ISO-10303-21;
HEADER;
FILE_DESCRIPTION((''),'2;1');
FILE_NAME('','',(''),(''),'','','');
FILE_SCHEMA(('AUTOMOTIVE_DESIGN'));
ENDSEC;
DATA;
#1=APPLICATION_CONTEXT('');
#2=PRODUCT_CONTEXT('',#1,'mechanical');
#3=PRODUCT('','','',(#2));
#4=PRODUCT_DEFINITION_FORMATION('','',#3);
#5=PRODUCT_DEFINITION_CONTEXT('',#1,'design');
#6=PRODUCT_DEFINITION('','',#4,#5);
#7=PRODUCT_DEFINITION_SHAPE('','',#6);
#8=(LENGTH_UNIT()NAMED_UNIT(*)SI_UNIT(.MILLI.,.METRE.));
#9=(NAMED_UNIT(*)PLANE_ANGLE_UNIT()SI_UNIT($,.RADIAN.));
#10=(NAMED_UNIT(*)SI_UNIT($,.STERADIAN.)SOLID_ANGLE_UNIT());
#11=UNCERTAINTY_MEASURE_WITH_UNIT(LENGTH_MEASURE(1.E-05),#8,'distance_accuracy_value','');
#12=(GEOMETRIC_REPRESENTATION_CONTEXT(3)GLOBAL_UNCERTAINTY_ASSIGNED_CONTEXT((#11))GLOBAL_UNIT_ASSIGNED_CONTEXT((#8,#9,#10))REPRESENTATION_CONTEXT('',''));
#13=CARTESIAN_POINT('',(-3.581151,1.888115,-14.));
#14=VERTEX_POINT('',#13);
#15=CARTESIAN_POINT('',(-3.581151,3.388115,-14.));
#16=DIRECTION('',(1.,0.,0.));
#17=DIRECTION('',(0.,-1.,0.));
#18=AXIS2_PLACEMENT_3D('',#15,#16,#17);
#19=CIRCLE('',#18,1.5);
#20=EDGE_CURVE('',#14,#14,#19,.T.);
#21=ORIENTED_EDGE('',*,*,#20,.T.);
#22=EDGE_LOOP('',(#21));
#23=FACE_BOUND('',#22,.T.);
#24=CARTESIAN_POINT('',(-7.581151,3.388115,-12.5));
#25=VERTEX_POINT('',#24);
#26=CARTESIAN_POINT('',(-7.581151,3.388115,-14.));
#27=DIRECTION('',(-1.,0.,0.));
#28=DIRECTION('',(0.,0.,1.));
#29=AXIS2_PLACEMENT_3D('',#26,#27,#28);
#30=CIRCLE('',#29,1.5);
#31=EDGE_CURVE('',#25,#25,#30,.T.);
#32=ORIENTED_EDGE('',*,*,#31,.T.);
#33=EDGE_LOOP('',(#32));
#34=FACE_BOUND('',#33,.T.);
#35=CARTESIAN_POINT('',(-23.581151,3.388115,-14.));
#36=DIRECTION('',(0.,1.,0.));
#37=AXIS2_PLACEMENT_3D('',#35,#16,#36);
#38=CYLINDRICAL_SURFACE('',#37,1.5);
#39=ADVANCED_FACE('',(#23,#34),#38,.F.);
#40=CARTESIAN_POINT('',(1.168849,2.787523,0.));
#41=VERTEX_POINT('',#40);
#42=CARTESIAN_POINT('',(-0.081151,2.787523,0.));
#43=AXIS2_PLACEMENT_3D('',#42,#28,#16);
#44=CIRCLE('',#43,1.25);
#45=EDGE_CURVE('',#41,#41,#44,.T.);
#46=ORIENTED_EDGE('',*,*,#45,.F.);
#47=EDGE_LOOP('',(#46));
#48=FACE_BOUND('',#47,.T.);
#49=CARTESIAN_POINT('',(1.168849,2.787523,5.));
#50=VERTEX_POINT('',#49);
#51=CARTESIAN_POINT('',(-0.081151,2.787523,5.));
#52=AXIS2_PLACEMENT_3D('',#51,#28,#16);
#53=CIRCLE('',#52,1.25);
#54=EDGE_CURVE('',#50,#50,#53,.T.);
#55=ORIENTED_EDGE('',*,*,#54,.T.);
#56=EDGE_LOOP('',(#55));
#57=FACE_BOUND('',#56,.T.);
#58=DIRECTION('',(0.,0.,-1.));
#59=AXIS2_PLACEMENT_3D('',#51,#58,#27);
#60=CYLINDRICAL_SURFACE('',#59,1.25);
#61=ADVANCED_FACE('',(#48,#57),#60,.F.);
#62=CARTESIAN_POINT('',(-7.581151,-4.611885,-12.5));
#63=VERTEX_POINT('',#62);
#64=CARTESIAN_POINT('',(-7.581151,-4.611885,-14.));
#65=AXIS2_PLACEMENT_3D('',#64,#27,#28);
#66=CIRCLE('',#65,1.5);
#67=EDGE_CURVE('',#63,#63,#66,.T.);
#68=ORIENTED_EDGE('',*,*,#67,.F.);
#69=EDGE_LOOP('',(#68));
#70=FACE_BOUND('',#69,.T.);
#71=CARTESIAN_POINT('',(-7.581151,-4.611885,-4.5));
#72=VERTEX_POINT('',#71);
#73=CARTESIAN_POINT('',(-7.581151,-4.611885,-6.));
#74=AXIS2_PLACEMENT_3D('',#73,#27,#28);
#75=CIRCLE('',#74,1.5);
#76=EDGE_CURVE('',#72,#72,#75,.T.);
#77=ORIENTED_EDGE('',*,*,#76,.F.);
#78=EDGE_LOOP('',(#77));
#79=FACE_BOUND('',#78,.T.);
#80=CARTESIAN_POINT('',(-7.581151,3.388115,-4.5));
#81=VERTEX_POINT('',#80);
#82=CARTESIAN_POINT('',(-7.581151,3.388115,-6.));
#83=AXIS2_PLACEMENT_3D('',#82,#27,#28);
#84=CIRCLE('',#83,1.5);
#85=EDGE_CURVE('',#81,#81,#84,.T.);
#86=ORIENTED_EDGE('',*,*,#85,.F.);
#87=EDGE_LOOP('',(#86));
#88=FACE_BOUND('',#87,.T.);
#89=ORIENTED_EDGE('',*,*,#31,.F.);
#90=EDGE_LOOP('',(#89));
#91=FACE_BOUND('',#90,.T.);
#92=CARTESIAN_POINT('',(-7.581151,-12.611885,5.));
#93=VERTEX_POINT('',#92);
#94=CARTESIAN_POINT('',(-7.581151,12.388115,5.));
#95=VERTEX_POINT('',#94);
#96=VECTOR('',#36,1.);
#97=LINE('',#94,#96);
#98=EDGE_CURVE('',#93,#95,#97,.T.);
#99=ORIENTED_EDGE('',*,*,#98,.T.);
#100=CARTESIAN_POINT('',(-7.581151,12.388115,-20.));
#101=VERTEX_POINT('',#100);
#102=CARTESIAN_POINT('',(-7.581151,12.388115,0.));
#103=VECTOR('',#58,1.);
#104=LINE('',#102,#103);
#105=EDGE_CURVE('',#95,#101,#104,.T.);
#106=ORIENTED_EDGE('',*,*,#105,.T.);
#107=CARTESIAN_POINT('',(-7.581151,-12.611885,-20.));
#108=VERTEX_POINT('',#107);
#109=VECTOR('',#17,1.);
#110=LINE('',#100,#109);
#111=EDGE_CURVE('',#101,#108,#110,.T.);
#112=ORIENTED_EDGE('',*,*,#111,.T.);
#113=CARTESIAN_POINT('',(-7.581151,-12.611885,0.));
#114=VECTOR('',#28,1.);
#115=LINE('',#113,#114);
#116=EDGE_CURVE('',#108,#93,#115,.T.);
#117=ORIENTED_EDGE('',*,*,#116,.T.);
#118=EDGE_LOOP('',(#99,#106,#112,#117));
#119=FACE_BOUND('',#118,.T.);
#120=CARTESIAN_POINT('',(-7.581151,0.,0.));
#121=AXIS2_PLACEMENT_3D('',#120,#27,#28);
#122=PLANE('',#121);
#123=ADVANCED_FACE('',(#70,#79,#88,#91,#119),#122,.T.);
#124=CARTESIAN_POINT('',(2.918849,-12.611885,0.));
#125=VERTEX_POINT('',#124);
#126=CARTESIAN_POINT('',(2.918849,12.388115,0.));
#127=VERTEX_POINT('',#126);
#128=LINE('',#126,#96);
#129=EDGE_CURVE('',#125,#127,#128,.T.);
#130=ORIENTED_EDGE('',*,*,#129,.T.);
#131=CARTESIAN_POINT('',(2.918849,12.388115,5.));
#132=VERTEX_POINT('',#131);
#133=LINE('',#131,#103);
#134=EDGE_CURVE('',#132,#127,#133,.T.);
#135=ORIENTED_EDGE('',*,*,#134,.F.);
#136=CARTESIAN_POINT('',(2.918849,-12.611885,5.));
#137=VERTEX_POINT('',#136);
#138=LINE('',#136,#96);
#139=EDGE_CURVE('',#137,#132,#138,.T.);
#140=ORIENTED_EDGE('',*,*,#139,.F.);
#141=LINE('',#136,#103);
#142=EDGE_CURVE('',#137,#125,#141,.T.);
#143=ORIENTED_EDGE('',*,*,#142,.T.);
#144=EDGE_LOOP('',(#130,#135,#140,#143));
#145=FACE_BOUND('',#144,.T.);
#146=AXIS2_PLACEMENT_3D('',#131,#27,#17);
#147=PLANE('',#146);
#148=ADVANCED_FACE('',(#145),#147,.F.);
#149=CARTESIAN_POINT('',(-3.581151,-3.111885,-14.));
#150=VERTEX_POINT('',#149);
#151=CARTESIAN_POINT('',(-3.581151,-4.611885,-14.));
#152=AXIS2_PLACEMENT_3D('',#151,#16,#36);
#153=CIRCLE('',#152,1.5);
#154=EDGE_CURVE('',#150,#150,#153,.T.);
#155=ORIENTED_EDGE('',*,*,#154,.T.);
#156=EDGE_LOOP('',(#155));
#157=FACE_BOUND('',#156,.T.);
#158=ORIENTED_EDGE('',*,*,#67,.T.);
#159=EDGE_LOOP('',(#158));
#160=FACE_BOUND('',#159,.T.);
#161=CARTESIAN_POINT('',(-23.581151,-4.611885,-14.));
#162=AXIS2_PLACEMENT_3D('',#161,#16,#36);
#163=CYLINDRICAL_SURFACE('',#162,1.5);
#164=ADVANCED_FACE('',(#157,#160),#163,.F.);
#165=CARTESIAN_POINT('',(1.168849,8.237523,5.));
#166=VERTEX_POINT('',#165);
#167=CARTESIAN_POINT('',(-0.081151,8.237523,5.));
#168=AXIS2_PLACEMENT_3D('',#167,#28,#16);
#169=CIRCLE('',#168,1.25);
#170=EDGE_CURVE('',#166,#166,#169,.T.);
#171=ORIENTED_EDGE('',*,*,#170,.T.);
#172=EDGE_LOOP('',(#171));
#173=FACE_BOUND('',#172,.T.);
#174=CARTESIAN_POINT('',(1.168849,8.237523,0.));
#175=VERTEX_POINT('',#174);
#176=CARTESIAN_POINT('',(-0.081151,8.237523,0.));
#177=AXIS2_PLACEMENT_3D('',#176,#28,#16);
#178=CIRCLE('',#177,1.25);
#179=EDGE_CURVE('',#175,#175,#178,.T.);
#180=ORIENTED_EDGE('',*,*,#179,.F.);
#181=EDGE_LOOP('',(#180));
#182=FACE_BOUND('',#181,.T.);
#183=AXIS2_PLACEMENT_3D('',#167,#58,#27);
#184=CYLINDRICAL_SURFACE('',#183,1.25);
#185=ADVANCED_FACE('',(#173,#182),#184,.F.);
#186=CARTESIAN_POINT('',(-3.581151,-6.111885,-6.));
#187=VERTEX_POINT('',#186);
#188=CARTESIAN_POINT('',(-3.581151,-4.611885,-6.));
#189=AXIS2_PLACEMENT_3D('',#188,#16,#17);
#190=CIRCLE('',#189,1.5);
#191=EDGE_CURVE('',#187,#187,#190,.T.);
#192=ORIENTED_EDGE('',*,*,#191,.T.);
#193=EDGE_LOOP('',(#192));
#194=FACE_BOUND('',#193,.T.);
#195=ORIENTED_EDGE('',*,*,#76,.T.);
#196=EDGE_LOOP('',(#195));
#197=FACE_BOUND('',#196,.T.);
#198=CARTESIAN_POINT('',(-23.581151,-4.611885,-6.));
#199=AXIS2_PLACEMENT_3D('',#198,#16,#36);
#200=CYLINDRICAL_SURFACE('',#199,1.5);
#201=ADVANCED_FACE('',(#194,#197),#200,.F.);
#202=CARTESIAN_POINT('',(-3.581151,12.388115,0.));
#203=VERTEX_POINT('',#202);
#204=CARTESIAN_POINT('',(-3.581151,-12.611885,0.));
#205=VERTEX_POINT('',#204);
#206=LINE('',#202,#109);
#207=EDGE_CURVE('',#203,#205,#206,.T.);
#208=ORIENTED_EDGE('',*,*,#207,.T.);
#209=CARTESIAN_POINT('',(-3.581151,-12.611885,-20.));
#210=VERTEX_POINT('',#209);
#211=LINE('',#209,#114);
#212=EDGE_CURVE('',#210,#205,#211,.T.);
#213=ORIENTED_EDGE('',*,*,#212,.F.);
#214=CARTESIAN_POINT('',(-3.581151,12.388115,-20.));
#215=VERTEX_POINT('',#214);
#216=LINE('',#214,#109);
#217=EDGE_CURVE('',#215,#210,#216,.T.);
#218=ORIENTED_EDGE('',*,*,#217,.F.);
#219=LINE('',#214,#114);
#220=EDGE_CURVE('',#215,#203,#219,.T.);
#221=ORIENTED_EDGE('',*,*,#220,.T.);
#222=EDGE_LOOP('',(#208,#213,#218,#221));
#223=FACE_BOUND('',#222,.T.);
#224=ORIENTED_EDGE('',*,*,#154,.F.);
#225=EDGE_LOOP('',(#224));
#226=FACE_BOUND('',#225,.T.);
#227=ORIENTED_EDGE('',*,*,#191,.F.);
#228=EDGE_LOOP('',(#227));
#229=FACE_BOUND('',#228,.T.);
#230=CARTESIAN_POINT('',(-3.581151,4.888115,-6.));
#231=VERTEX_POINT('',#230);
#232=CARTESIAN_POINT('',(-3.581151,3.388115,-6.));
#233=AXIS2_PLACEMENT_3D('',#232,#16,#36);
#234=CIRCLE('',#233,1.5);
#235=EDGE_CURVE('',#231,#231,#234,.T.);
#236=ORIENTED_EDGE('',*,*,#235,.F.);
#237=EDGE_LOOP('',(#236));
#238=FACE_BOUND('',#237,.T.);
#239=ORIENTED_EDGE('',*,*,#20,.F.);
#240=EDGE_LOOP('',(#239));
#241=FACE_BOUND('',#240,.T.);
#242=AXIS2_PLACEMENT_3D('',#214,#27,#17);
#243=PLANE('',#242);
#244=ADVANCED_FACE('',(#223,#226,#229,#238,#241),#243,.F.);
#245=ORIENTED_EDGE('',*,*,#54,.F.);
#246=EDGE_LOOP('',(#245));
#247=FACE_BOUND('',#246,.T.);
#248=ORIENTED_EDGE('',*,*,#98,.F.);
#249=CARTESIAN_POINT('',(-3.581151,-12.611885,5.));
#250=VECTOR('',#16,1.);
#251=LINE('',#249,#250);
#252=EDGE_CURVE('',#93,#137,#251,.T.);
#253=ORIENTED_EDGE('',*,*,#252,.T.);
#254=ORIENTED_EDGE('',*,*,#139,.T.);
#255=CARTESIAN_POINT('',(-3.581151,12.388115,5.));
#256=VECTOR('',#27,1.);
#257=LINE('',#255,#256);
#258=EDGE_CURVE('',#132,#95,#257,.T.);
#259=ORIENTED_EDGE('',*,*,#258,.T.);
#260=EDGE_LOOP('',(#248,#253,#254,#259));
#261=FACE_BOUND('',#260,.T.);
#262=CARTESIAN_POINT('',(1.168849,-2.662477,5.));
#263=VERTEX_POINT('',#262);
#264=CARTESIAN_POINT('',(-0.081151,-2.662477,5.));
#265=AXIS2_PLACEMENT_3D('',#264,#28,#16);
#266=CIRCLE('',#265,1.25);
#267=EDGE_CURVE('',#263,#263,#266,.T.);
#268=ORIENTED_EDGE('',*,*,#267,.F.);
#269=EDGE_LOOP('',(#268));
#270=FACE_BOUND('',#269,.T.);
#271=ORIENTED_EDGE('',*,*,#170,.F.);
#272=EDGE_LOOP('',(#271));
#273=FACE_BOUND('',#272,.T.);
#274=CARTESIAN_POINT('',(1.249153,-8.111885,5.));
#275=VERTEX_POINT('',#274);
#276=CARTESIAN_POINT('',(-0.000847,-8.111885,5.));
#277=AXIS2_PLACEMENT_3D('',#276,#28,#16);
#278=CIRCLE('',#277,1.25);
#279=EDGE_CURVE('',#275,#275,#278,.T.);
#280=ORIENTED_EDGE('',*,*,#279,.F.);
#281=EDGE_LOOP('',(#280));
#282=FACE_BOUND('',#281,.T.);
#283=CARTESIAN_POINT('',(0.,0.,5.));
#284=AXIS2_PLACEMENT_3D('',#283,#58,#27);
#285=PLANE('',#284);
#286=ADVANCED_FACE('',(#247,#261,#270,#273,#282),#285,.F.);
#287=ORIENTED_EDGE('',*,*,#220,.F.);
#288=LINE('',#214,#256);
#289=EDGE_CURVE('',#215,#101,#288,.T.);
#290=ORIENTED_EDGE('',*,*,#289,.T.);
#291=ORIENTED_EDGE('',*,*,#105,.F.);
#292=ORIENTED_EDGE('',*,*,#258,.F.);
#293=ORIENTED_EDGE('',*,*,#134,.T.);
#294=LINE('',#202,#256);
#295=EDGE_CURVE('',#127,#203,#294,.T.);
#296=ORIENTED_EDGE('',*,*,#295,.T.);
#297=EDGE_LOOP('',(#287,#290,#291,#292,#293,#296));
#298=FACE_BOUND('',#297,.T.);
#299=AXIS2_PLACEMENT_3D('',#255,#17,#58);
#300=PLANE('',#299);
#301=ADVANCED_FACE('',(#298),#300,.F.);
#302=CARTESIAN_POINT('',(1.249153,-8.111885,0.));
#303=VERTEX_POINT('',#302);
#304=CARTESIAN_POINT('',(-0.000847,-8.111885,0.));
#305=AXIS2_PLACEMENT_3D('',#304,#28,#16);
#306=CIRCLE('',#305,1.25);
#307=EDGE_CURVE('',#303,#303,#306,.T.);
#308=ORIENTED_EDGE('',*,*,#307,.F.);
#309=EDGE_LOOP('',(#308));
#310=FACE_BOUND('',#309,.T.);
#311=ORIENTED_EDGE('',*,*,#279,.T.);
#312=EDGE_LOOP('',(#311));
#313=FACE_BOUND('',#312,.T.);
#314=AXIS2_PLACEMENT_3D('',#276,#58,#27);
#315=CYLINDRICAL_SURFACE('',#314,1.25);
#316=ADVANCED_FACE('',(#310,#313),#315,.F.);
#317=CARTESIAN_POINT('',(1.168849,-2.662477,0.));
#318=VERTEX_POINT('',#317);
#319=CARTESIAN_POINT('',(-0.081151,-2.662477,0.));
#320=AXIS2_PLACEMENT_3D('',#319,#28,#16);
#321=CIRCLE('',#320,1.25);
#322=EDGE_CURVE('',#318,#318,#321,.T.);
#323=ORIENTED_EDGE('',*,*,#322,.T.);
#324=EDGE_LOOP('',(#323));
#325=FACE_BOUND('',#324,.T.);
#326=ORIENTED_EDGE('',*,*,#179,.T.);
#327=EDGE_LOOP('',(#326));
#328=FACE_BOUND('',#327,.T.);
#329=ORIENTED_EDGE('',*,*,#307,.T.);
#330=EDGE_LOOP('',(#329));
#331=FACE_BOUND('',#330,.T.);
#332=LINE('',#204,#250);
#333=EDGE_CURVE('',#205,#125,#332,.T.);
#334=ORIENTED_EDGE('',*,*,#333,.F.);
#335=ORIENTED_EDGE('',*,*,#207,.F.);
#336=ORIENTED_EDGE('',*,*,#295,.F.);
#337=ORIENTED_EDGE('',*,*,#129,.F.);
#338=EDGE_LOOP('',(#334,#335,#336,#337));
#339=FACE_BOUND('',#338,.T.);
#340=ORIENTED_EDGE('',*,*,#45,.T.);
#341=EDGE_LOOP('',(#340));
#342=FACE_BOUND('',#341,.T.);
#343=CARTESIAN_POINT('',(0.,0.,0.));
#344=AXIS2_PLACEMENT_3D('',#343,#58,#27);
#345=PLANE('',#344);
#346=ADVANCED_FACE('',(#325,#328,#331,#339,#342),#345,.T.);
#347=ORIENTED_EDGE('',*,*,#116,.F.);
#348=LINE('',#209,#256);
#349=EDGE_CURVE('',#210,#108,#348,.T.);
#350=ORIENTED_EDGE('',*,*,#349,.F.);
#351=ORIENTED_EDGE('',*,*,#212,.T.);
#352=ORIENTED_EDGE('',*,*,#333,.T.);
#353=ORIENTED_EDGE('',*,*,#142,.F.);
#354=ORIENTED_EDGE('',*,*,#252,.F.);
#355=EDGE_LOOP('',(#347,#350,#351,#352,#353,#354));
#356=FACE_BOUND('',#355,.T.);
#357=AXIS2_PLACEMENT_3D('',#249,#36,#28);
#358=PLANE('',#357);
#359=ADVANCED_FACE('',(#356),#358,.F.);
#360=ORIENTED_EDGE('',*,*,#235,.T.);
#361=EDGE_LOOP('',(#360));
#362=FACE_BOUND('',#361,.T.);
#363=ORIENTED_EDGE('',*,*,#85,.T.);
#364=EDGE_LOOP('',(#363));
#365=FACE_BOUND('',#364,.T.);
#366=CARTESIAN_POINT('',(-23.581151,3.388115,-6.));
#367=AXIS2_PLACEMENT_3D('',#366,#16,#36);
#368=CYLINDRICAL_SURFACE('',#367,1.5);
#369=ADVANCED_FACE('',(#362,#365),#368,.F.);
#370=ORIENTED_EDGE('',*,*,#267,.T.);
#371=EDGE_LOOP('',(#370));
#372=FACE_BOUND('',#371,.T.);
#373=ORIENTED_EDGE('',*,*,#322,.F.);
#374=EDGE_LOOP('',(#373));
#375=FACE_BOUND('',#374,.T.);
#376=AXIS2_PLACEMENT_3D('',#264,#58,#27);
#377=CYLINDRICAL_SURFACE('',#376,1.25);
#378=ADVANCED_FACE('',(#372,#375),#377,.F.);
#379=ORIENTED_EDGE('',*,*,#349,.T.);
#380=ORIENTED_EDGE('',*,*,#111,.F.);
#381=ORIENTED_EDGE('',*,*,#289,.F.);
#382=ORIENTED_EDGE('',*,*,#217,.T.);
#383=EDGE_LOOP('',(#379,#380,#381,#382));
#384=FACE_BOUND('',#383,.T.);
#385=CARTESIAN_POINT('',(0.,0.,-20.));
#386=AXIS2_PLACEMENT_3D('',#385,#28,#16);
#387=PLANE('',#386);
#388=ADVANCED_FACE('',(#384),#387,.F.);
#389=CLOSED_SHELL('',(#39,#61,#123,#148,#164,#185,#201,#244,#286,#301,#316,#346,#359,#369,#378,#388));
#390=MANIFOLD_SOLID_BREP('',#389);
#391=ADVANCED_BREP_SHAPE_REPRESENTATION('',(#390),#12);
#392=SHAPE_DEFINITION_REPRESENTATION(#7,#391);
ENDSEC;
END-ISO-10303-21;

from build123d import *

# Parameters (mm, degrees)
SKETCH_1_R          = 1.25
EXTRUDE_1_DEPTH     = 5
SKETCH_2_W          = 5
SKETCH_2_H          = 25
EXTRUDE_2_DEPTH     = 4
SKETCH_3_W          = 4
SKETCH_3_H          = 25
EXTRUDE_3_DEPTH     = 20
SKETCH_4_R          = 1.5
CUT_EXTRUDE_1_DEPTH = 20


with BuildPart() as part:
    # 草图1 → 凸台-拉伸1 (new body)
    with BuildSketch(Plane.XY):
        Polygon((-3.581151343, -8.027992706), (-3.581151343, -12.611885422), (2.918848657, -12.611885422), (2.918848657, -6.641886627), (2.918848657, 12.388114578), (-3.581151343, 12.388114578), align=None)
        with Locations((-0.081151343, 8.237522913)):
            Circle(SKETCH_1_R, mode=Mode.SUBTRACT)
        with Locations((-0.081151343, 2.787522913)):
            Circle(SKETCH_1_R, mode=Mode.SUBTRACT)
        with Locations((-0.081151343, -2.662477087)):
            Circle(SKETCH_1_R, mode=Mode.SUBTRACT)
        with Locations((-0.000846901, -8.111885422)):
            Circle(SKETCH_1_R, mode=Mode.SUBTRACT)
    extrude(amount=EXTRUDE_1_DEPTH)

    # 草图2 → 凸台-拉伸2 (add)
    with BuildSketch(Plane.ZY.offset(3.581151343)):
        with Locations((2.5, -0.111885422)):
            Rectangle(SKETCH_2_W, SKETCH_2_H)
    extrude(amount=EXTRUDE_2_DEPTH)

    # 草图3 → 凸台-拉伸3 (add)
    with BuildSketch(Plane(origin=(0, 0, 0), x_dir=(-1, 0, 0), z_dir=(0, 0, -1))):
        with Locations((5.581151343, -0.111885422)):
            Rectangle(SKETCH_3_W, SKETCH_3_H)
    extrude(amount=EXTRUDE_3_DEPTH)

    # 草图4 → 切除-拉伸1 (cut)
    with BuildSketch(Plane(origin=(-3.581151343, 0, 0), x_dir=(0, 0, -1), z_dir=(1, 0, 0))):
        with Locations(Location((6, 3.388114578, 0), (0, 0, 90))):
            Circle(SKETCH_4_R)
        with Locations(Location((14, 3.388114578, 0), (0, 0, 180))):
            Circle(SKETCH_4_R)
        with Locations(Location((14, -4.611885422, 0), (0, 0, 90))):
            Circle(SKETCH_4_R)
        with Locations(Location((6, -4.611885422, 0), (0, 0, 180))):
            Circle(SKETCH_4_R)
    extrude(amount=-CUT_EXTRUDE_1_DEPTH, mode=Mode.SUBTRACT)


solid = part.part
